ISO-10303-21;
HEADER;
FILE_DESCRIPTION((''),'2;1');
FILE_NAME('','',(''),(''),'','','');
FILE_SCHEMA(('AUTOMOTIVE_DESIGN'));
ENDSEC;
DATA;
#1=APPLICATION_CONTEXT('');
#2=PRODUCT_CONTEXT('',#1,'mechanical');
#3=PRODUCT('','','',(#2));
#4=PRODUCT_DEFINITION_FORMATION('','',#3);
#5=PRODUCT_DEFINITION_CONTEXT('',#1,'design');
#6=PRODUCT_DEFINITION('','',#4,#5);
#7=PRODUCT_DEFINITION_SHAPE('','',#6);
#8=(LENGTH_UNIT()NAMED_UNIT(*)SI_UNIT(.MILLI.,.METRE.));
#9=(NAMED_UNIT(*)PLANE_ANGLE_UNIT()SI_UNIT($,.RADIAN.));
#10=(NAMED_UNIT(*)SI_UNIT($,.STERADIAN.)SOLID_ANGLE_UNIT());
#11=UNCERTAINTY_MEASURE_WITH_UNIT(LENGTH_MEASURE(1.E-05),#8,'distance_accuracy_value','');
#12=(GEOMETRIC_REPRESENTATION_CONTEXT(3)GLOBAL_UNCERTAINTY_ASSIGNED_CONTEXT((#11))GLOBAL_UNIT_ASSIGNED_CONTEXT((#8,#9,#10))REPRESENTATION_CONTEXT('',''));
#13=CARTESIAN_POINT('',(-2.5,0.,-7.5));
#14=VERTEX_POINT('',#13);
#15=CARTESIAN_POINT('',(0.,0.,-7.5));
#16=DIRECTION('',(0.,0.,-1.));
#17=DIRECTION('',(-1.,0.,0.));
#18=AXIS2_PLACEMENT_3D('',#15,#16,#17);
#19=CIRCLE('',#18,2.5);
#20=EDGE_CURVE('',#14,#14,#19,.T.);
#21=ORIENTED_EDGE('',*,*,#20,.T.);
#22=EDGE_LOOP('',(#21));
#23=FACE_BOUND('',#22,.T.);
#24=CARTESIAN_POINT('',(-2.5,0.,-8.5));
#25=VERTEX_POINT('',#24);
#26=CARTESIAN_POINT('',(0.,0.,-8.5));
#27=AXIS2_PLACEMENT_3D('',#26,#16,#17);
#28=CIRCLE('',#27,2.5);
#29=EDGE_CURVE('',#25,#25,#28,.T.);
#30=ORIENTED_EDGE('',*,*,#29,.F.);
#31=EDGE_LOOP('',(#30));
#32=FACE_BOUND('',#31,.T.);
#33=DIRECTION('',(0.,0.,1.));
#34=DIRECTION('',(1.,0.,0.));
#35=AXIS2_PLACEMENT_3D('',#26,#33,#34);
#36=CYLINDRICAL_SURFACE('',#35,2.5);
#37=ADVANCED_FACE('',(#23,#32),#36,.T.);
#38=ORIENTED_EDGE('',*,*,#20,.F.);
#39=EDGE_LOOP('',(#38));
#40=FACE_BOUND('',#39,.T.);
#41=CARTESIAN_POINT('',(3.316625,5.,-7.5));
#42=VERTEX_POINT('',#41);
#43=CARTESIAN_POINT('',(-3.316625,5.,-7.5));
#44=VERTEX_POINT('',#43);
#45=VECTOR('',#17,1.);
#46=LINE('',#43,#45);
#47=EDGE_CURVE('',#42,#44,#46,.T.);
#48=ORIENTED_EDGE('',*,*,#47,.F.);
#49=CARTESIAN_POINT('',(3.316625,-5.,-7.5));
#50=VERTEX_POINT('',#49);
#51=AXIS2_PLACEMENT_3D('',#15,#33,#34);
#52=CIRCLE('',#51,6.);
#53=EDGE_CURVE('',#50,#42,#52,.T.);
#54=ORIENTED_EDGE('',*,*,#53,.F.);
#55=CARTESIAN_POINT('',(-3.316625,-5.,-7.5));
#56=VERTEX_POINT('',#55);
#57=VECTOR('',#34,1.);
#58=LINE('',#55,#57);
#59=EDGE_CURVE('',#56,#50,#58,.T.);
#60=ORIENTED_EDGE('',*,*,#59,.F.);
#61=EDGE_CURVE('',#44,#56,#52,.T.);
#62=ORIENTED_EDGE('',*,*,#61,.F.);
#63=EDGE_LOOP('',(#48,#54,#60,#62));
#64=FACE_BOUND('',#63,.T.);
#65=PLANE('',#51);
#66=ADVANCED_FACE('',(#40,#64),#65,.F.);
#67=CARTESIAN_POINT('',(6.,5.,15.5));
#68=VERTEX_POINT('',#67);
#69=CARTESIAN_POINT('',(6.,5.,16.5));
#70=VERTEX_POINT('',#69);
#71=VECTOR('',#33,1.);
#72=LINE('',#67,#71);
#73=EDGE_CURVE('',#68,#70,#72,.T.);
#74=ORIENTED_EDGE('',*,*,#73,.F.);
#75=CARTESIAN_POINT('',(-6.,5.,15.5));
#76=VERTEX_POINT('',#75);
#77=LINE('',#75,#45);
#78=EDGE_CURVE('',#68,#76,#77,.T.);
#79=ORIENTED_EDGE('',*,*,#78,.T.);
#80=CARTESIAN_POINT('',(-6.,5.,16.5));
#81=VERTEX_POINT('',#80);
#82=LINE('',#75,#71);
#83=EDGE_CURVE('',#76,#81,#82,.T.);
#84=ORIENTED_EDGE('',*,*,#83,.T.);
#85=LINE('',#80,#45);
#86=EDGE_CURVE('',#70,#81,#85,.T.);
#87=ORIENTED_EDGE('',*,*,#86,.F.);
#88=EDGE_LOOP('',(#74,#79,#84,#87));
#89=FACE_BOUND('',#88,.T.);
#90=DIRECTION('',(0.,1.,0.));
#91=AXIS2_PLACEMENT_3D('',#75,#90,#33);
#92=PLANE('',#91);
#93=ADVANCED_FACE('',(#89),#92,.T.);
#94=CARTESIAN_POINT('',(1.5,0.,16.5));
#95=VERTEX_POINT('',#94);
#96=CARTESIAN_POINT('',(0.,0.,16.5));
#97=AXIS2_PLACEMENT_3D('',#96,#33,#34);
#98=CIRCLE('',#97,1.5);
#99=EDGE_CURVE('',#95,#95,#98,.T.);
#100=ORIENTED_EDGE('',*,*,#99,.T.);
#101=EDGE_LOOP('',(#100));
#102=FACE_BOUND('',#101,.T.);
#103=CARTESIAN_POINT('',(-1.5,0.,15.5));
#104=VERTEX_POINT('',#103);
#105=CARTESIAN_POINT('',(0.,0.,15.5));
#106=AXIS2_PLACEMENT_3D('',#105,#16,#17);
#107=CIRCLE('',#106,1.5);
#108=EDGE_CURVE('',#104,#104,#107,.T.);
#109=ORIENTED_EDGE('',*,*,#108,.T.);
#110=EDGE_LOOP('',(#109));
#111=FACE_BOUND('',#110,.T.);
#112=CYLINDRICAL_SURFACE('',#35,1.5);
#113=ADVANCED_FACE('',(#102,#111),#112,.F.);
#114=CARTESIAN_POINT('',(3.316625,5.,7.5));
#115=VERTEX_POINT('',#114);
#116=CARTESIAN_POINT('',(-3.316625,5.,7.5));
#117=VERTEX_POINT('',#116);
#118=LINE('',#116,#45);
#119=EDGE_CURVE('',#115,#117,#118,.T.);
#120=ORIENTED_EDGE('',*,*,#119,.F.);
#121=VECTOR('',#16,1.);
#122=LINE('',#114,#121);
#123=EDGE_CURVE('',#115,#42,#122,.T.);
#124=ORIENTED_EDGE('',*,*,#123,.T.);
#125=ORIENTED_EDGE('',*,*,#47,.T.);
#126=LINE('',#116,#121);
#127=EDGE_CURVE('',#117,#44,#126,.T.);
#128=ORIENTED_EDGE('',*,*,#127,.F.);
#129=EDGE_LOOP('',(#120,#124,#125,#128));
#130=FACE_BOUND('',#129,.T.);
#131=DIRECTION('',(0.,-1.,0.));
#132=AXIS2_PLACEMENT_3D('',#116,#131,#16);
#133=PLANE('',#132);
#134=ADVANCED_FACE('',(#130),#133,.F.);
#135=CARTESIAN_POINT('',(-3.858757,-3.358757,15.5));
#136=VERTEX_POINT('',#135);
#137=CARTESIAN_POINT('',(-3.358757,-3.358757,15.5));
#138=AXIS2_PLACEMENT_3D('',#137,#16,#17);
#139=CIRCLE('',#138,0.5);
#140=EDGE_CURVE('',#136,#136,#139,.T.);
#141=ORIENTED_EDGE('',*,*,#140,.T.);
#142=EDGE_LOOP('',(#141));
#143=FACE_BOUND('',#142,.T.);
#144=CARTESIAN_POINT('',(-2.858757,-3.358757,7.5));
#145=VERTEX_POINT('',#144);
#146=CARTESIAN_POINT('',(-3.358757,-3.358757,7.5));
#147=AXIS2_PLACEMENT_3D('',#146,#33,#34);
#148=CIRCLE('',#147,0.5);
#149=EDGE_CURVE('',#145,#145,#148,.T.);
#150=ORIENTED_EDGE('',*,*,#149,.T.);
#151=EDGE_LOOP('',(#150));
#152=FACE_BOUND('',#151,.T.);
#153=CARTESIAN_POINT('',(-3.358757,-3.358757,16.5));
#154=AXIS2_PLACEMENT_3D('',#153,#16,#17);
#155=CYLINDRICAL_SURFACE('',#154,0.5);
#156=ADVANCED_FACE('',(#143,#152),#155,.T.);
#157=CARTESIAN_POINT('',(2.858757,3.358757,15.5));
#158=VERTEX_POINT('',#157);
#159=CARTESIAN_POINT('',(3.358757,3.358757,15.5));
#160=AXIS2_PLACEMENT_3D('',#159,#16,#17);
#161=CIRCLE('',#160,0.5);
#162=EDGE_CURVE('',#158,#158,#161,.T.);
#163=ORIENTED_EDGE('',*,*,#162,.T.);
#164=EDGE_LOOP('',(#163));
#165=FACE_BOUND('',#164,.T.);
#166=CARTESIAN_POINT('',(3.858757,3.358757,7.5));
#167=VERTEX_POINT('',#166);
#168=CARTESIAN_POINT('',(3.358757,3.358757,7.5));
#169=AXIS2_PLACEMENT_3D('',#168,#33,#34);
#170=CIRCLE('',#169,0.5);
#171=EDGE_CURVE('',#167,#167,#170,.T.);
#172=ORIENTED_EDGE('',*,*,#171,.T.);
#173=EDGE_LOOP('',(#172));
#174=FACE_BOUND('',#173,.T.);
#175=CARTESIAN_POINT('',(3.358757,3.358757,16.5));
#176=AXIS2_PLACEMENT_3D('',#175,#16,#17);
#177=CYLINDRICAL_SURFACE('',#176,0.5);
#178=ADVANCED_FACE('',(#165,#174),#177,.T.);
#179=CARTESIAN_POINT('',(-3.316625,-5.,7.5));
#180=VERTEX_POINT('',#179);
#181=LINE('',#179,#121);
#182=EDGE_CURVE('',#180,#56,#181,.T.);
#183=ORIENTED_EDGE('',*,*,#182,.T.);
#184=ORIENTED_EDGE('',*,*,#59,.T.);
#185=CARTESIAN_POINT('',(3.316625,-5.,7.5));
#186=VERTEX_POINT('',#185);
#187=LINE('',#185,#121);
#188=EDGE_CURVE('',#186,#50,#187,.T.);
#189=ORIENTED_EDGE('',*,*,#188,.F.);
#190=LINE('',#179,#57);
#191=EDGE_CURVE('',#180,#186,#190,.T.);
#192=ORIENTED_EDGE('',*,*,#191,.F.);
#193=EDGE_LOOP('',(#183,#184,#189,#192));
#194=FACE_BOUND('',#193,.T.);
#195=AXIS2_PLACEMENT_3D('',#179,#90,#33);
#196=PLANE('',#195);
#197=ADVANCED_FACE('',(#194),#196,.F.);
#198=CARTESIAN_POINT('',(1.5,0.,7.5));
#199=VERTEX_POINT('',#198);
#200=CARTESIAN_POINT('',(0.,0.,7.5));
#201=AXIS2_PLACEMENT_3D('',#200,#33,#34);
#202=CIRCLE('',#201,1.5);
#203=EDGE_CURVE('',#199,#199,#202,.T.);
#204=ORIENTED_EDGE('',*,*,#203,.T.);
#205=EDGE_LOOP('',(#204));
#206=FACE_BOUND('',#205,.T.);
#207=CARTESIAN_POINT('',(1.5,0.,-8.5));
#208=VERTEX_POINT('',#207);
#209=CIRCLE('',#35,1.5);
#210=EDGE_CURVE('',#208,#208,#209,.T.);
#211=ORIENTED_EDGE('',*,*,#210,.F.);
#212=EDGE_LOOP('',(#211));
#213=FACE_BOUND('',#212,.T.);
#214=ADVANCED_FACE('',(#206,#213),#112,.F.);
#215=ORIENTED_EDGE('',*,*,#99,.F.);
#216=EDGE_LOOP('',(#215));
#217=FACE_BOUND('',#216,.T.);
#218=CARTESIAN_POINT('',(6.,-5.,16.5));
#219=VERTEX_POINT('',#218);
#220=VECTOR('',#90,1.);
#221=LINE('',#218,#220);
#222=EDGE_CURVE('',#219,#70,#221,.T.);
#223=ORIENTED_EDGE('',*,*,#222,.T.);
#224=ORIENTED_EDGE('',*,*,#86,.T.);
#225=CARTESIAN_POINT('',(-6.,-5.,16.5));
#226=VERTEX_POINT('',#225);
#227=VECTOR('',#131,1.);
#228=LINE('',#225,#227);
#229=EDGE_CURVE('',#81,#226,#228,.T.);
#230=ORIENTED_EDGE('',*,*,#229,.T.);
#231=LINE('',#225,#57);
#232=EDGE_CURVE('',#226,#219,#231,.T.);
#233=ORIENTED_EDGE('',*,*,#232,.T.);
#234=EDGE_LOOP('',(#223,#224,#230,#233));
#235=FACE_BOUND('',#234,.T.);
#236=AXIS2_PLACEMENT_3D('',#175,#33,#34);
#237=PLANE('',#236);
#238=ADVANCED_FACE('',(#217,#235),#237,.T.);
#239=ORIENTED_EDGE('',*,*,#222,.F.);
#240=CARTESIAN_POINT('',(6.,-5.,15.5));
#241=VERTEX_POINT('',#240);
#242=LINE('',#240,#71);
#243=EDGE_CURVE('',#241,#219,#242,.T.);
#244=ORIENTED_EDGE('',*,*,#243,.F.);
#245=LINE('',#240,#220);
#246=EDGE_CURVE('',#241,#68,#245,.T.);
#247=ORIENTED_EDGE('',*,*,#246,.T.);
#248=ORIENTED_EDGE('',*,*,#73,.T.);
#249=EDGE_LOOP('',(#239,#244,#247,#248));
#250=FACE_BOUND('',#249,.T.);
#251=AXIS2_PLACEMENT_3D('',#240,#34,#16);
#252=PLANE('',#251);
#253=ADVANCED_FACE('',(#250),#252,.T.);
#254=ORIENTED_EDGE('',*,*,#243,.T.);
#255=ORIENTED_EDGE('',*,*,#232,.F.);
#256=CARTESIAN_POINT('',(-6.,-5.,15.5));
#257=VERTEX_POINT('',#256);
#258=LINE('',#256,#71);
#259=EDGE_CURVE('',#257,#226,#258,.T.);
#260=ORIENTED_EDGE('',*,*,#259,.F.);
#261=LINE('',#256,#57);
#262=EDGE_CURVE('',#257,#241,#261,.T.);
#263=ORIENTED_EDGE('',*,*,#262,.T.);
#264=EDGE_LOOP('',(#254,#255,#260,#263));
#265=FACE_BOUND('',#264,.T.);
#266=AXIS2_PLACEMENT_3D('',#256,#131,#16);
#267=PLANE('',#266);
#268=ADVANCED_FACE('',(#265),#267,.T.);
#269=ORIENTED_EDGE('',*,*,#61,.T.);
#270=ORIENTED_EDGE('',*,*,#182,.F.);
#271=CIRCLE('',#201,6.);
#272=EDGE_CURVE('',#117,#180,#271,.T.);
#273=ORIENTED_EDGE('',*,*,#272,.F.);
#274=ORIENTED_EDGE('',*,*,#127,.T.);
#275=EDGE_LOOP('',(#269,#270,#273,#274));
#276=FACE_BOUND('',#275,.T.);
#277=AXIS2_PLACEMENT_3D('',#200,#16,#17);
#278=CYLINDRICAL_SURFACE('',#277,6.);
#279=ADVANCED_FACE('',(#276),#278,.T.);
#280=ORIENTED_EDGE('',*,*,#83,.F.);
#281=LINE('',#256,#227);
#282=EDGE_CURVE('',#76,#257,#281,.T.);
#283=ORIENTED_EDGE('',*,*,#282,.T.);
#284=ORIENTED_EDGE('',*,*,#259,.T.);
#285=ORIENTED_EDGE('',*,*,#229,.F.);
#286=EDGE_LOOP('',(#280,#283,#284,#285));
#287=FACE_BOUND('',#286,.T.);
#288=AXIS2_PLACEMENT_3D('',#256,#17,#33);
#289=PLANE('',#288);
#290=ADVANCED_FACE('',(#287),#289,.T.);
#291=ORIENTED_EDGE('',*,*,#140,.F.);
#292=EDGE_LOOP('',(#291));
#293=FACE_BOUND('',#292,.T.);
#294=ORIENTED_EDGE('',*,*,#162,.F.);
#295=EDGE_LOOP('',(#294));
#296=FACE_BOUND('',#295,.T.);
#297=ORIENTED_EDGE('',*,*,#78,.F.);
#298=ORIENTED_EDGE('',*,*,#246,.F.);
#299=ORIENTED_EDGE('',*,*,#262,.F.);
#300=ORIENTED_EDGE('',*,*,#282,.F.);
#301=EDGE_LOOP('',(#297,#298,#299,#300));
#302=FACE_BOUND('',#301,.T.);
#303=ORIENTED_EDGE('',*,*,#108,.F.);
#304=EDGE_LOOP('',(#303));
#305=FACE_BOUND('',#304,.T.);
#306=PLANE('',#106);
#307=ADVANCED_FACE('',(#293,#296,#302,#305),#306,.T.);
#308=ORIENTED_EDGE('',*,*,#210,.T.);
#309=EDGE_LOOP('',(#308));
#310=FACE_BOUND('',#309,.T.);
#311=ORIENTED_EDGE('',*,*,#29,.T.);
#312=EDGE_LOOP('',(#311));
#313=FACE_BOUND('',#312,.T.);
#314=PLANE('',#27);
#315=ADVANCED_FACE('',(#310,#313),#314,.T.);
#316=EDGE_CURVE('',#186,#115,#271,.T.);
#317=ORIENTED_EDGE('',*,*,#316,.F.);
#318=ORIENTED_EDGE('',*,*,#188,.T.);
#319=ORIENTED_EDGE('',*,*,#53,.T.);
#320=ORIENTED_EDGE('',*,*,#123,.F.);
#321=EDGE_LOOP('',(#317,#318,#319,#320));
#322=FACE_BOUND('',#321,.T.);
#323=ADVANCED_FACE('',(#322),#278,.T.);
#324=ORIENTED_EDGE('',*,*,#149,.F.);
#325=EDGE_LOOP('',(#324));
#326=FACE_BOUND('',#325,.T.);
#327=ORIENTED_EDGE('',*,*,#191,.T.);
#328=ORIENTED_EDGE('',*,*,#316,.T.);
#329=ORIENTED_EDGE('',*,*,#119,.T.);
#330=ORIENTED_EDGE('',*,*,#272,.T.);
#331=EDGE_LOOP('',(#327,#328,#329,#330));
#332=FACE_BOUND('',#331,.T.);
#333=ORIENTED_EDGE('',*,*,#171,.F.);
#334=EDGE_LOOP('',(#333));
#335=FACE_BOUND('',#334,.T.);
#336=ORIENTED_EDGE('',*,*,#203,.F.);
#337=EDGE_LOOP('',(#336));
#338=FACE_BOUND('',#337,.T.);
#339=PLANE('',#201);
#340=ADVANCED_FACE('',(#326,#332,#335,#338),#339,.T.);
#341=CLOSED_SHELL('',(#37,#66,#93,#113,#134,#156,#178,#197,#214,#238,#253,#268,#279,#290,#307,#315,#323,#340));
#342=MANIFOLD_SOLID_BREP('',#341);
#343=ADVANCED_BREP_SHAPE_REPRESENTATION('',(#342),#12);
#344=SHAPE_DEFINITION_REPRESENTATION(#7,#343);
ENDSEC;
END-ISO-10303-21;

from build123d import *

# Parameters (mm, degrees)
BOSS_EXTRUDE1_DEPTH = 7.5
SKETCH2_R           = 2.5
BOSS_EXTRUDE2_DEPTH = 1
SKETCH3_R           = 0.5
BOSS_EXTRUDE3_DEPTH = 9
SKETCH4_W           = 12
SKETCH4_H           = 10
BOSS_EXTRUDE4_DEPTH = 1
SKETCH5_R           = 1.5
CUT_EXTRUDE1_DEPTH  = 26


with BuildPart() as part:
    # Sketch1 → Boss-Extrude1 (new body, symmetric)
    with BuildSketch(Plane.XY):
        with BuildLine():
            Line((-3.31662479, 5), (3.31662479, 5))
            ThreePointArc((3.31662479, 5), (6, 0), (3.31662479, -5))
            Line((3.31662479, -5), (-3.31662479, -5))
            ThreePointArc((-3.31662479, -5), (-6, 0), (-3.31662479, 5))
        make_face()
    extrude(amount=BOSS_EXTRUDE1_DEPTH, both=True)

    # Sketch2 → Boss-Extrude2 (add)
    with BuildSketch(Plane(origin=(0, 0, -7.5), x_dir=(-1, 0, 0), z_dir=(0, 0, -1))):
        Circle(SKETCH2_R)
    extrude(amount=BOSS_EXTRUDE2_DEPTH)

    # Sketch3 → Boss-Extrude3 (add)
    with BuildSketch(Plane.XY.offset(7.5)):
        with Locations((3.358757211, 3.358757211)):
            Circle(SKETCH3_R)
        with Locations((-3.358757211, -3.358757211)):
            Circle(SKETCH3_R)
    extrude(amount=BOSS_EXTRUDE3_DEPTH)

    # Sketch4 → Boss-Extrude4 (add)
    with BuildSketch(Plane.XY.offset(16.5)):
        Rectangle(SKETCH4_W, SKETCH4_H)
    extrude(amount=-BOSS_EXTRUDE4_DEPTH)

    # Sketch5 → Cut-Extrude1 (cut, through all)
    with BuildSketch(Plane.XY.offset(16.5)):
        Circle(SKETCH5_R)
    extrude(amount=-CUT_EXTRUDE1_DEPTH, mode=Mode.SUBTRACT)


solid = part.part
